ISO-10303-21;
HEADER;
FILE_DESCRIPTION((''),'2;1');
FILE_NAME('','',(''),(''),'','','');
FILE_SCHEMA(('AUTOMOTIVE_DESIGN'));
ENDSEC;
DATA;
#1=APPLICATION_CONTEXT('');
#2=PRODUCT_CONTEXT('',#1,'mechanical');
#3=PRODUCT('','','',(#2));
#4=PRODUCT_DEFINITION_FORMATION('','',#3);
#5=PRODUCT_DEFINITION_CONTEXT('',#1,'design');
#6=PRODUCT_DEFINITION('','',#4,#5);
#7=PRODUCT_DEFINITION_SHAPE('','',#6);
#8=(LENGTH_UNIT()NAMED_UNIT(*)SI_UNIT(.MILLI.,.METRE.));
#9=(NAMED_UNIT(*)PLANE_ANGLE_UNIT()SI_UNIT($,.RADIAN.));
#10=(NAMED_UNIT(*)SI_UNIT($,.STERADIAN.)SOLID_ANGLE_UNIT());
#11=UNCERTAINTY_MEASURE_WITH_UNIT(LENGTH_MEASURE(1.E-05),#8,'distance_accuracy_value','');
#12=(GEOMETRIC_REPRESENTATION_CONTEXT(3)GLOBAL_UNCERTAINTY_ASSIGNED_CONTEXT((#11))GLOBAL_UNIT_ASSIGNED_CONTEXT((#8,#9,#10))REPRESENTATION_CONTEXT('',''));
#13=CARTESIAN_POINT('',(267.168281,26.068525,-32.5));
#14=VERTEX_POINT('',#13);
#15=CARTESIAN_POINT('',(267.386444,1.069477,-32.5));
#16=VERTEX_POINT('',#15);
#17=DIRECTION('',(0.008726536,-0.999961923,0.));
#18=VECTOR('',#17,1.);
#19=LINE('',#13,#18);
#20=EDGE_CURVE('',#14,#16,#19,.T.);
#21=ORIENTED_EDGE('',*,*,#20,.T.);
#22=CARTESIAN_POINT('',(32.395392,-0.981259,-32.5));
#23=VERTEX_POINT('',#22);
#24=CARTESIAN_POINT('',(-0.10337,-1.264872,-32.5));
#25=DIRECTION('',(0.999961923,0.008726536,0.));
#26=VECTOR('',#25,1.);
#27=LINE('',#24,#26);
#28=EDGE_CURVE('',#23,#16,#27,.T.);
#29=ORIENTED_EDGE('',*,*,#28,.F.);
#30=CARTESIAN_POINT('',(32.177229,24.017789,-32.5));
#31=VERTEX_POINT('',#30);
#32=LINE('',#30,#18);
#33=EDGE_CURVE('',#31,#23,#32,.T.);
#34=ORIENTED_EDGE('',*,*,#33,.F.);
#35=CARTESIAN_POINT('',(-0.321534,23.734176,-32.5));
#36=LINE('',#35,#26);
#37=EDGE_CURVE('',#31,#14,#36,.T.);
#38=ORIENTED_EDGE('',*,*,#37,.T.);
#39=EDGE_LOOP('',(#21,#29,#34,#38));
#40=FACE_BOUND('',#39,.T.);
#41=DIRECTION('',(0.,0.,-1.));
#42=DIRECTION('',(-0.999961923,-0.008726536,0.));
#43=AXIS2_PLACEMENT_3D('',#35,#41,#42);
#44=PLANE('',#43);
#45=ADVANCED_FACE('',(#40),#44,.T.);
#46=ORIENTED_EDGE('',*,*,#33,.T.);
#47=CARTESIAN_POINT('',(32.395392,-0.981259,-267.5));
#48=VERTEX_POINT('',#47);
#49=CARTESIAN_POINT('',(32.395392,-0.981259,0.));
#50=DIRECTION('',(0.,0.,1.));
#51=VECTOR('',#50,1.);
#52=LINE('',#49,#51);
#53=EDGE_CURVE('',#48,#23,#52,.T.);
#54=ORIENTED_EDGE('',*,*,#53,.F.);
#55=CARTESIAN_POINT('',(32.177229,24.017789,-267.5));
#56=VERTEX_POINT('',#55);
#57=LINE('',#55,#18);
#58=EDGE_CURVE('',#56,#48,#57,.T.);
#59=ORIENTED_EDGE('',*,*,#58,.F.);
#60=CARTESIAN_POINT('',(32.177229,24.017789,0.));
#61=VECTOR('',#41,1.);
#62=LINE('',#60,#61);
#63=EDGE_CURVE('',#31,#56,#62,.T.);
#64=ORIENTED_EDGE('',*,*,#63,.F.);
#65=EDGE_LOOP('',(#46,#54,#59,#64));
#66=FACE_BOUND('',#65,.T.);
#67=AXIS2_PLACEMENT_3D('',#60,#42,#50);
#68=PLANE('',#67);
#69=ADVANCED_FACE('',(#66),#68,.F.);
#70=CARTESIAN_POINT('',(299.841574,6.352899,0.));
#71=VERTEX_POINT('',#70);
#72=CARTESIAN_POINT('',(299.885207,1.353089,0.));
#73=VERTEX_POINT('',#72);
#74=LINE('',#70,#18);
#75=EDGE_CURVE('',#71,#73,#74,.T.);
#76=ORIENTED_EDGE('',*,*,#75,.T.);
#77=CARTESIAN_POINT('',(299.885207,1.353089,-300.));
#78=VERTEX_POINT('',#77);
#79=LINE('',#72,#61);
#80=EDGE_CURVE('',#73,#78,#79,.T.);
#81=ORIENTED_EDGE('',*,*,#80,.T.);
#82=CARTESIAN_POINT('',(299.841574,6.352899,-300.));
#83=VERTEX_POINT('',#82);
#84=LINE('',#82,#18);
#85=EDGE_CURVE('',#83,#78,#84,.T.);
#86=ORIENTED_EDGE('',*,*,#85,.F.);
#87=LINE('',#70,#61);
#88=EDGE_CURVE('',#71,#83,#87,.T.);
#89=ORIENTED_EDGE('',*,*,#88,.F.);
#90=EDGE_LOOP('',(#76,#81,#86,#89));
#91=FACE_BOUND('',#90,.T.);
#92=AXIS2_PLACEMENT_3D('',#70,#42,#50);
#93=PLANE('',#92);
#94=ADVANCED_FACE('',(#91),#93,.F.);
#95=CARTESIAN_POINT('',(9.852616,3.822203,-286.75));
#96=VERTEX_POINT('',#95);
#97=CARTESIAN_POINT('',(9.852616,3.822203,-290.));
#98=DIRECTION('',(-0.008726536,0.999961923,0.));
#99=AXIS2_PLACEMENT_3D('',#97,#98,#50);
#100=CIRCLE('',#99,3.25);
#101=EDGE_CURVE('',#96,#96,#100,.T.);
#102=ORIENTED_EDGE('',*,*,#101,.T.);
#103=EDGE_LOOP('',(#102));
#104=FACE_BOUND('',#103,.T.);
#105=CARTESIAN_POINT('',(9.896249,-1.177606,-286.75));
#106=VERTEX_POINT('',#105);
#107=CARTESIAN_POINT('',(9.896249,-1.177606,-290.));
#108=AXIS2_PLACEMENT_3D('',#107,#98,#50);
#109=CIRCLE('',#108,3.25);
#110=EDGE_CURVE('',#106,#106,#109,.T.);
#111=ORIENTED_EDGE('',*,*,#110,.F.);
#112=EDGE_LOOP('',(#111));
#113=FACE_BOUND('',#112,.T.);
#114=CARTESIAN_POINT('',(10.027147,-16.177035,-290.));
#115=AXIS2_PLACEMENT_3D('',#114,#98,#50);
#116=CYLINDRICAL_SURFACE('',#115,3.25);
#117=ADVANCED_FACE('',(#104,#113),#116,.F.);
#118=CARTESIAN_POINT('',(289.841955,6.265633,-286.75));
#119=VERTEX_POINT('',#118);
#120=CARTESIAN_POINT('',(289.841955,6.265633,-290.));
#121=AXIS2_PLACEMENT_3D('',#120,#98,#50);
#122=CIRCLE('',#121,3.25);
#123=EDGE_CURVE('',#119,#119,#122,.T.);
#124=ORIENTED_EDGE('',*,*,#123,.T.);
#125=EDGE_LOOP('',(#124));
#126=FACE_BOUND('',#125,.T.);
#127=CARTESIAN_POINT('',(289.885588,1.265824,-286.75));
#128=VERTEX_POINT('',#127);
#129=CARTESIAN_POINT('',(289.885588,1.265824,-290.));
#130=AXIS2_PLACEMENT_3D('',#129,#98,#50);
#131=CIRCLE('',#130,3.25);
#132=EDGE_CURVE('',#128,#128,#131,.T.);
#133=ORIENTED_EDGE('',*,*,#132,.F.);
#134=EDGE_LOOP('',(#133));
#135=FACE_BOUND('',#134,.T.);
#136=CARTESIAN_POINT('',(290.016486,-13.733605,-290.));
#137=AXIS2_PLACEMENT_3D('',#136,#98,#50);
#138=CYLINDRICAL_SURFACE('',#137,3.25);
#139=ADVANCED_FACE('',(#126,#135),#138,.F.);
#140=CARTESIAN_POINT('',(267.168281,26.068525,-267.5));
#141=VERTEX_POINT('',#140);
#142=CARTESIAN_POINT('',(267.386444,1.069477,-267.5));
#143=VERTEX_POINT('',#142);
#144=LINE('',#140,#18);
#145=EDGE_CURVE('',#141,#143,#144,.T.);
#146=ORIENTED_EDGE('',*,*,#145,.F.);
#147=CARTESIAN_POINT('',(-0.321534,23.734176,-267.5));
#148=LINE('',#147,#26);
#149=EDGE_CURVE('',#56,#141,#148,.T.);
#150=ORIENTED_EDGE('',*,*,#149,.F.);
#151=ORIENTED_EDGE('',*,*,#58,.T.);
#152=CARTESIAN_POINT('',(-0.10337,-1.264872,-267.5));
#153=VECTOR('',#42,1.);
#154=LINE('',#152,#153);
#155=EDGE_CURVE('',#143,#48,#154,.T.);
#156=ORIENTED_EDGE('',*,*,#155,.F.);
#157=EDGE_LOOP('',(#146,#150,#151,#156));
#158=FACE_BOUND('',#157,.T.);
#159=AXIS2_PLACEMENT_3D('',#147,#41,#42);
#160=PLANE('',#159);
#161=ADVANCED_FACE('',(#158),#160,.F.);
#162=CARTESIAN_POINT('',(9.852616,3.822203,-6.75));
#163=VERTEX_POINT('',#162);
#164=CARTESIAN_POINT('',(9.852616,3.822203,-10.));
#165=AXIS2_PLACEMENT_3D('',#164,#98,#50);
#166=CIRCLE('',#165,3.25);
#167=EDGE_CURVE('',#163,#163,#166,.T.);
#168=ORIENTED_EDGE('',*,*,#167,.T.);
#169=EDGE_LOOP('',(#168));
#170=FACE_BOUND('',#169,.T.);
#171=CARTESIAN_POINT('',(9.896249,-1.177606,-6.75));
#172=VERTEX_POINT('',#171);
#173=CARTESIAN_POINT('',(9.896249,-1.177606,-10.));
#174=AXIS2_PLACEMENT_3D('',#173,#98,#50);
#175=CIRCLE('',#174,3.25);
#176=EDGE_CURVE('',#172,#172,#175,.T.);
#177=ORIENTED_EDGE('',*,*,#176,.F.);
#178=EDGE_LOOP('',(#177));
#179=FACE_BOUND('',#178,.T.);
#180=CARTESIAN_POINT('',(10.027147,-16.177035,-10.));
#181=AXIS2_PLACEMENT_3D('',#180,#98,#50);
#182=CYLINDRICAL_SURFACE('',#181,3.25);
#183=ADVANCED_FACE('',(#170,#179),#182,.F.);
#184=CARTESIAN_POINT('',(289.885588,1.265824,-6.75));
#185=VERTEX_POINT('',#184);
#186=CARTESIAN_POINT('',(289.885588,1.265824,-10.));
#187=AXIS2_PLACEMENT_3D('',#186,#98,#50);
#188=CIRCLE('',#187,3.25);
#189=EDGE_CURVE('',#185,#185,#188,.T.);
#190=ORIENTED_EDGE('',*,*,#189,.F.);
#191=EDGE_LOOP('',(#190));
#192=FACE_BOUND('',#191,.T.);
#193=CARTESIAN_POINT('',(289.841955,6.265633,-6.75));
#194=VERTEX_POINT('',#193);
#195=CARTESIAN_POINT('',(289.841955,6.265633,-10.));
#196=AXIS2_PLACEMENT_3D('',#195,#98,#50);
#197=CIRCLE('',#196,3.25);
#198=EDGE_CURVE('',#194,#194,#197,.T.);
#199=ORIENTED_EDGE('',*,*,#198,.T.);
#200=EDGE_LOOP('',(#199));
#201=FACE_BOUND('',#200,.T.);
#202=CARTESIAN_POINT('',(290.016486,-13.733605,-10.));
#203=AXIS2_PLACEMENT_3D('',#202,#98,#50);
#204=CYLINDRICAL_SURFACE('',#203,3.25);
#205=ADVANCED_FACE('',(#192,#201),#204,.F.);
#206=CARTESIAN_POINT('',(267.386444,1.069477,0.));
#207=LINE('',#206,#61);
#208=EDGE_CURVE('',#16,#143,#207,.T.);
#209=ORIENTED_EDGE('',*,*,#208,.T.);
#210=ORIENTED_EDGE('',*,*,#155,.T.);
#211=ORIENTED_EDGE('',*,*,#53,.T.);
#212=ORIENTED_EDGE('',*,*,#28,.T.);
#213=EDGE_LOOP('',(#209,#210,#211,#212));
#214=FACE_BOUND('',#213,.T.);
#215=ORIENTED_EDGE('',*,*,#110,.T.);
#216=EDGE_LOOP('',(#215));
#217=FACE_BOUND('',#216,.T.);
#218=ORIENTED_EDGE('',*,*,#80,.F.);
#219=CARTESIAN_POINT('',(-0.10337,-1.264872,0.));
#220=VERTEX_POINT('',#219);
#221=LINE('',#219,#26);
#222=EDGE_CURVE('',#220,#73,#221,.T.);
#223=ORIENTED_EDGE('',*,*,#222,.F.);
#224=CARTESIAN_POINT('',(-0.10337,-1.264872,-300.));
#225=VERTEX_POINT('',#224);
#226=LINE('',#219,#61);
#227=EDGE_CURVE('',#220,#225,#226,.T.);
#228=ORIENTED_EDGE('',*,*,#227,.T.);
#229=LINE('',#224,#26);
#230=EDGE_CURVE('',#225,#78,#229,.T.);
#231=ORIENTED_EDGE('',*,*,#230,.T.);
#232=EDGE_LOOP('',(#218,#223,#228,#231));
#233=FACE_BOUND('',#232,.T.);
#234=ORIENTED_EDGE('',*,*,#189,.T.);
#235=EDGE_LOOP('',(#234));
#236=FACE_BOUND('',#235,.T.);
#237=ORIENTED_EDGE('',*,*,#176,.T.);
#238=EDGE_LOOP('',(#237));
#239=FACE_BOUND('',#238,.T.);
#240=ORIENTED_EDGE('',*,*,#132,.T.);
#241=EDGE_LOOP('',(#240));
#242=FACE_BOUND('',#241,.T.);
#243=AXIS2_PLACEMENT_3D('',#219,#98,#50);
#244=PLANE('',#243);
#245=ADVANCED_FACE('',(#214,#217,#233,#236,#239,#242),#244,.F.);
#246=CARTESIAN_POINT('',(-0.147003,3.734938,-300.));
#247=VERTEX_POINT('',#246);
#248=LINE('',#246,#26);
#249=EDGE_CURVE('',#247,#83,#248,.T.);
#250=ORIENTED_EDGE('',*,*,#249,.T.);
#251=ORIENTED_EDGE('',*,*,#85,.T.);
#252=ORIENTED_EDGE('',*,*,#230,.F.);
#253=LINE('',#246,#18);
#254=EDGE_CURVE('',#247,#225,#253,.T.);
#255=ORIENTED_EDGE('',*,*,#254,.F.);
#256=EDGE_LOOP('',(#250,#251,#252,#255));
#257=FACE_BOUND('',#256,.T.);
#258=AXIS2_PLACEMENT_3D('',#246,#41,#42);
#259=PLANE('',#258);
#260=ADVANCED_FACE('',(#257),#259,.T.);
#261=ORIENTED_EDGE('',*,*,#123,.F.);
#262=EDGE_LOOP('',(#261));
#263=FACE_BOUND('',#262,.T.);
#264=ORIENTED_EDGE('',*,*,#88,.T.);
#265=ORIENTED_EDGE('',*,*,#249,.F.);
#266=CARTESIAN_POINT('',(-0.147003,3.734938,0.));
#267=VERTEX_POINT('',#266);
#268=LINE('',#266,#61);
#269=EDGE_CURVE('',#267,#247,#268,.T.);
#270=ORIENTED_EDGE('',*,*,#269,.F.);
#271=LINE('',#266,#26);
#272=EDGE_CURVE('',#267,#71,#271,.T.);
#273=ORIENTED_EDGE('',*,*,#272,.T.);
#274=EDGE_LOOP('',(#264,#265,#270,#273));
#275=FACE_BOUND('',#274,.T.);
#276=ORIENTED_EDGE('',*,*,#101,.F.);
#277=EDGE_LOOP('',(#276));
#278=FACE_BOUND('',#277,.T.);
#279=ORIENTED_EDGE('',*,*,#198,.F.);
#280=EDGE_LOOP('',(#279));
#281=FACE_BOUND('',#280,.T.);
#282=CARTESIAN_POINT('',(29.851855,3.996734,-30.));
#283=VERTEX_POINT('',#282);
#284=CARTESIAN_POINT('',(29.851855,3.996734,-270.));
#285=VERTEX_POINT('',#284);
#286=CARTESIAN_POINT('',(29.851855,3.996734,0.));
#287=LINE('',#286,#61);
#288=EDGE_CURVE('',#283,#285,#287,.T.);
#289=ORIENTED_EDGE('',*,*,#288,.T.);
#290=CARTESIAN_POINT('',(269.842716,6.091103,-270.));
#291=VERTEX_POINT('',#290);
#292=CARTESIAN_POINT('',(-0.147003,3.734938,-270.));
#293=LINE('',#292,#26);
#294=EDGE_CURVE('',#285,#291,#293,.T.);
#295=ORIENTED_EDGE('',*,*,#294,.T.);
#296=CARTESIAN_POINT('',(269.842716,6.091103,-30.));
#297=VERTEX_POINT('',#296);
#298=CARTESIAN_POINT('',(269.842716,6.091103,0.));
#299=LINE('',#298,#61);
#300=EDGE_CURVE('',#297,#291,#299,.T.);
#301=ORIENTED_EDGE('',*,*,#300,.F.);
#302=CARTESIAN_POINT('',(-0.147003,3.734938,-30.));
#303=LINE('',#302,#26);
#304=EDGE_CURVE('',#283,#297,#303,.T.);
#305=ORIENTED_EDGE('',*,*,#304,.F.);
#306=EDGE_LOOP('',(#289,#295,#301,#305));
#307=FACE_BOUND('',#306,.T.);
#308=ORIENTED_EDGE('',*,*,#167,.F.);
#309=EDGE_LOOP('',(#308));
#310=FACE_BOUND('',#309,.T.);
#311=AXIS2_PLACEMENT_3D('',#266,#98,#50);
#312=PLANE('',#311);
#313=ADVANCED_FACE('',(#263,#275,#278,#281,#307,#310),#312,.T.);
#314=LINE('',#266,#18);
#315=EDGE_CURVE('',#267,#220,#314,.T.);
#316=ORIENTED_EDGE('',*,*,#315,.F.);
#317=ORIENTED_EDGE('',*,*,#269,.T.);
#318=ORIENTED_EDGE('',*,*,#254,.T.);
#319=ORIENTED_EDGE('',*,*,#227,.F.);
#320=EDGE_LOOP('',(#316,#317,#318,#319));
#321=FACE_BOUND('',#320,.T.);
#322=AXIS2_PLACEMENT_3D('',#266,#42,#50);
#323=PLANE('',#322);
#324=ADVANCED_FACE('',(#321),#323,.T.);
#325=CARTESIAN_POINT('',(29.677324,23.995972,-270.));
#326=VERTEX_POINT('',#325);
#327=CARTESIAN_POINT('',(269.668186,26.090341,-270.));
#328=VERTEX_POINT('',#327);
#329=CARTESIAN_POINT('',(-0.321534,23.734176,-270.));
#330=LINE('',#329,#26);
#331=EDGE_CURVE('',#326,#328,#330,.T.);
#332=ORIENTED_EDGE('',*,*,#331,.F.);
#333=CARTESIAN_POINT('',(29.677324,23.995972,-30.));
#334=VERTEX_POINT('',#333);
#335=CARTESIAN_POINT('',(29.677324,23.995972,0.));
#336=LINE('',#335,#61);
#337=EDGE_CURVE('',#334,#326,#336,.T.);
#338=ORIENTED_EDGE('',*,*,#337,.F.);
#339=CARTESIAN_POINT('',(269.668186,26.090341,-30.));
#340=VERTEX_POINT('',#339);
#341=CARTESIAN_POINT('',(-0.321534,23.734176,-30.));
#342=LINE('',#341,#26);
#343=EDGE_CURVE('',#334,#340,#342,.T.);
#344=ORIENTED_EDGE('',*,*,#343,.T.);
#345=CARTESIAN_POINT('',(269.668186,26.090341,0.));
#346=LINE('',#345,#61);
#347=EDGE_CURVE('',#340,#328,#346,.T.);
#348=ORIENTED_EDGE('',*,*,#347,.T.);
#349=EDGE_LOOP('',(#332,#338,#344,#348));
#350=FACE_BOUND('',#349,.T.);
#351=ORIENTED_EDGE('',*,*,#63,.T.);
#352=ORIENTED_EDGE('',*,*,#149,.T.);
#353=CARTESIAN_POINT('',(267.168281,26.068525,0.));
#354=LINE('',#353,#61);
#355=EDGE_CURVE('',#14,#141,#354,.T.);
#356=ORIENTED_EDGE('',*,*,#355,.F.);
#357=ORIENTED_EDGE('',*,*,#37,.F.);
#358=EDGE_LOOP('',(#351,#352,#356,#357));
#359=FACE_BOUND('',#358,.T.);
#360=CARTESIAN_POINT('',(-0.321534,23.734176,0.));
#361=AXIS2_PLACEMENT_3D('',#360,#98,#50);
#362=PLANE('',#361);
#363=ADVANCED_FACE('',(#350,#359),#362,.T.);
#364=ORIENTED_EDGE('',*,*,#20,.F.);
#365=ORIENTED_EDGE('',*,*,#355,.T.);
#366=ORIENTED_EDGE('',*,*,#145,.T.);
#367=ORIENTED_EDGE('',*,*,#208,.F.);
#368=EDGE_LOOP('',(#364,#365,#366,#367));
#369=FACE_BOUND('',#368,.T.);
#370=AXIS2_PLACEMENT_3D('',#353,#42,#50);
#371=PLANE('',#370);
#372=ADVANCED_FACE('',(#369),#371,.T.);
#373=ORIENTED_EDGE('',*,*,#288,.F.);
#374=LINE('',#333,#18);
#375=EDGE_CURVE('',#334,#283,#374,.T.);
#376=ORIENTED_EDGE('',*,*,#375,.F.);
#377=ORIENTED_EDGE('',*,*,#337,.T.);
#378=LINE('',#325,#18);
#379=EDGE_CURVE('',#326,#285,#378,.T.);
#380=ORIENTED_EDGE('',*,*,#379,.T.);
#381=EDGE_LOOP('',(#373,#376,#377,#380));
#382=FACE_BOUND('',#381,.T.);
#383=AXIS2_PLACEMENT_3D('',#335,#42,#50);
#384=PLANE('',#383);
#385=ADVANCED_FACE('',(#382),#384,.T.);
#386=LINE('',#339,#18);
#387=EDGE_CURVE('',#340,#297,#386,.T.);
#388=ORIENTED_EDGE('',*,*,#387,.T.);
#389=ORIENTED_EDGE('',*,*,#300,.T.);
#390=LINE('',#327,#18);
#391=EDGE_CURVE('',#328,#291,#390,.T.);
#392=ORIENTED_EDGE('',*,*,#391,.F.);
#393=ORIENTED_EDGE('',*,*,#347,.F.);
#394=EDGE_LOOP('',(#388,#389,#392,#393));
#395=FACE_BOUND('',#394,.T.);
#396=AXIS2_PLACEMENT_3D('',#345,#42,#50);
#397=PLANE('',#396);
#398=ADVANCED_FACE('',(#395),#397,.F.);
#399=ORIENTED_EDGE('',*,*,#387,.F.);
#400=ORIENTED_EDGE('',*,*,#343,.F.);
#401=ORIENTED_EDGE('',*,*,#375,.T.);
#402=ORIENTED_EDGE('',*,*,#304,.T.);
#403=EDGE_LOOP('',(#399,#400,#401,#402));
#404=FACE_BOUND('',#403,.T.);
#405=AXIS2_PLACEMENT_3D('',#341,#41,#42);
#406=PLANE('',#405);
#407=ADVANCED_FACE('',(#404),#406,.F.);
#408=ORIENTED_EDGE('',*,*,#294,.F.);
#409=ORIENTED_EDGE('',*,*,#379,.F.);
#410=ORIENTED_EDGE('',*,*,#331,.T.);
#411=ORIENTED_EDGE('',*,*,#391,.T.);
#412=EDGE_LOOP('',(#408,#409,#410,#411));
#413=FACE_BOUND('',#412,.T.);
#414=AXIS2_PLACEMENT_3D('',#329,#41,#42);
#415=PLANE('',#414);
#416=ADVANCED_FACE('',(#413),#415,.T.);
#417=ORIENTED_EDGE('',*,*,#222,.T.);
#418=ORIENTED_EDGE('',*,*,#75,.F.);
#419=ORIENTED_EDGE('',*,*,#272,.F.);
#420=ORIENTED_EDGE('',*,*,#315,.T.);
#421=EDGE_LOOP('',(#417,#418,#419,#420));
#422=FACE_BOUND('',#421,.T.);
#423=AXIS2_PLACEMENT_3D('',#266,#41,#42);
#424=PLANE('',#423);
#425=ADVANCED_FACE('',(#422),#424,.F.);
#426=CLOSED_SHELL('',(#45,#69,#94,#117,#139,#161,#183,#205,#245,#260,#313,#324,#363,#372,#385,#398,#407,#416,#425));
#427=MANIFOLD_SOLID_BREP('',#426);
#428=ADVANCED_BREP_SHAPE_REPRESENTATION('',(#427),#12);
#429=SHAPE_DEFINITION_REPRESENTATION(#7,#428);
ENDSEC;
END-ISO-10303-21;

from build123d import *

# Parameters (mm, degrees)
BOSS_EXTRUDE1_DEPTH   = 5
SKETCH4_W             = 240
SKETCH4_H             = 240
SKETCH4_W_2           = 230.5
SKETCH4_H_2           = 230.5
BOSS_EXTRUDE2_DEPTH   = 20
SKETCH6_R             = 3.25
CUT_EXTRUDE1_DEPTH    = 20
SKETCH7_W             = 240
SKETCH7_H             = 240
CUT_EXTRUDE2_DEPTH    = 20
SKETCH8_W             = 240
SKETCH8_H             = 240
SKETCH8_W_2           = 235
SKETCH8_H_2           = 235
BOSS_EXTRUDE3_DEPTH   = 20
SKETCH9_W             = 235
SKETCH9_H             = 235
CUT_EXTRUDE3_DEPTH    = 20
BODY_MOVE_COPY1_ANGLE = 89.5
BODY_MOVE_COPY2_ANGLE = 90


with BuildPart() as part:
    # Sketch3 → Boss-Extrude1 (new body)
    with BuildSketch(Plane(origin=(0, 0, 0), x_dir=(1, 0, 0), z_dir=(0, 1, 0))):
        Polygon((300, 300), (150, 150), (300, 0), align=None)
        Polygon((150, 150), (0, 0), (300, 0), align=None)
        Polygon((0, 300), (0, 0), (150, 150), align=None)
        Polygon((0, 300), (150, 150), (300, 300), align=None)
    extrude(amount=BOSS_EXTRUDE1_DEPTH)

    # Sketch4 → Boss-Extrude2 (add)
    with BuildSketch(Plane(origin=(0, 5, 0), x_dir=(1, 0, 0), z_dir=(0, 1, 0))):
        with Locations((150, 150)):
            Rectangle(SKETCH4_W, SKETCH4_H)
        with Locations((150, 150)):
            Rectangle(SKETCH4_W_2, SKETCH4_H_2, mode=Mode.SUBTRACT)
    extrude(amount=BOSS_EXTRUDE2_DEPTH)

    # Sketch6 → Cut-Extrude1 (cut)
    with BuildSketch(Plane(origin=(0, 5, 0), x_dir=(1, 0, 0), z_dir=(0, 1, 0))):
        with Locations(Location((10, 10, 0), (0, 0, 270))):
            Circle(SKETCH6_R)
        with Locations(Location((290, 10, 0), (0, 0, 270))):
            Circle(SKETCH6_R)
        with Locations(Location((290, 290, 0), (0, 0, 270))):
            Circle(SKETCH6_R)
        with Locations(Location((10, 290, 0), (0, 0, 270))):
            Circle(SKETCH6_R)
    extrude(amount=-CUT_EXTRUDE1_DEPTH, mode=Mode.SUBTRACT)

    # Sketch7 → Cut-Extrude2 (cut)
    with BuildSketch(Plane(origin=(0, 25, 0), x_dir=(1, 0, 0), z_dir=(0, 1, 0))):
        with Locations((150, 150)):
            Rectangle(SKETCH7_W, SKETCH7_H)
    extrude(amount=-CUT_EXTRUDE2_DEPTH, mode=Mode.SUBTRACT)

    # Sketch8 → Boss-Extrude3 (add)
    with BuildSketch(Plane(origin=(0, 5, 0), x_dir=(1, 0, 0), z_dir=(0, 1, 0))):
        with Locations((150, 150)):
            Rectangle(SKETCH8_W, SKETCH8_H)
        with Locations((150, 150)):
            Rectangle(SKETCH8_W_2, SKETCH8_H_2, mode=Mode.SUBTRACT)
    extrude(amount=BOSS_EXTRUDE3_DEPTH)

    # Sketch9 → Cut-Extrude3 (cut)
    with BuildSketch(Plane(origin=(0, 5, 0), x_dir=(1, 0, 0), z_dir=(0, 1, 0))):
        with Locations((150, 150)):
            Rectangle(SKETCH9_W, SKETCH9_H)
    extrude(amount=-CUT_EXTRUDE3_DEPTH, mode=Mode.SUBTRACT)


with BuildPart() as part_1:
    # Body-Move/Copy1: moved
    add(part.part.rotate(Axis((150, 12.5, 0), (0, 0, -1)), BODY_MOVE_COPY1_ANGLE))


with BuildPart() as part_2:
    # Body-Move/Copy2: moved
    add(part_1.part.rotate(Axis((149.869101968, 12.412734645, 0), (0, 0, 1)), BODY_MOVE_COPY2_ANGLE))


solid = part_2.part
